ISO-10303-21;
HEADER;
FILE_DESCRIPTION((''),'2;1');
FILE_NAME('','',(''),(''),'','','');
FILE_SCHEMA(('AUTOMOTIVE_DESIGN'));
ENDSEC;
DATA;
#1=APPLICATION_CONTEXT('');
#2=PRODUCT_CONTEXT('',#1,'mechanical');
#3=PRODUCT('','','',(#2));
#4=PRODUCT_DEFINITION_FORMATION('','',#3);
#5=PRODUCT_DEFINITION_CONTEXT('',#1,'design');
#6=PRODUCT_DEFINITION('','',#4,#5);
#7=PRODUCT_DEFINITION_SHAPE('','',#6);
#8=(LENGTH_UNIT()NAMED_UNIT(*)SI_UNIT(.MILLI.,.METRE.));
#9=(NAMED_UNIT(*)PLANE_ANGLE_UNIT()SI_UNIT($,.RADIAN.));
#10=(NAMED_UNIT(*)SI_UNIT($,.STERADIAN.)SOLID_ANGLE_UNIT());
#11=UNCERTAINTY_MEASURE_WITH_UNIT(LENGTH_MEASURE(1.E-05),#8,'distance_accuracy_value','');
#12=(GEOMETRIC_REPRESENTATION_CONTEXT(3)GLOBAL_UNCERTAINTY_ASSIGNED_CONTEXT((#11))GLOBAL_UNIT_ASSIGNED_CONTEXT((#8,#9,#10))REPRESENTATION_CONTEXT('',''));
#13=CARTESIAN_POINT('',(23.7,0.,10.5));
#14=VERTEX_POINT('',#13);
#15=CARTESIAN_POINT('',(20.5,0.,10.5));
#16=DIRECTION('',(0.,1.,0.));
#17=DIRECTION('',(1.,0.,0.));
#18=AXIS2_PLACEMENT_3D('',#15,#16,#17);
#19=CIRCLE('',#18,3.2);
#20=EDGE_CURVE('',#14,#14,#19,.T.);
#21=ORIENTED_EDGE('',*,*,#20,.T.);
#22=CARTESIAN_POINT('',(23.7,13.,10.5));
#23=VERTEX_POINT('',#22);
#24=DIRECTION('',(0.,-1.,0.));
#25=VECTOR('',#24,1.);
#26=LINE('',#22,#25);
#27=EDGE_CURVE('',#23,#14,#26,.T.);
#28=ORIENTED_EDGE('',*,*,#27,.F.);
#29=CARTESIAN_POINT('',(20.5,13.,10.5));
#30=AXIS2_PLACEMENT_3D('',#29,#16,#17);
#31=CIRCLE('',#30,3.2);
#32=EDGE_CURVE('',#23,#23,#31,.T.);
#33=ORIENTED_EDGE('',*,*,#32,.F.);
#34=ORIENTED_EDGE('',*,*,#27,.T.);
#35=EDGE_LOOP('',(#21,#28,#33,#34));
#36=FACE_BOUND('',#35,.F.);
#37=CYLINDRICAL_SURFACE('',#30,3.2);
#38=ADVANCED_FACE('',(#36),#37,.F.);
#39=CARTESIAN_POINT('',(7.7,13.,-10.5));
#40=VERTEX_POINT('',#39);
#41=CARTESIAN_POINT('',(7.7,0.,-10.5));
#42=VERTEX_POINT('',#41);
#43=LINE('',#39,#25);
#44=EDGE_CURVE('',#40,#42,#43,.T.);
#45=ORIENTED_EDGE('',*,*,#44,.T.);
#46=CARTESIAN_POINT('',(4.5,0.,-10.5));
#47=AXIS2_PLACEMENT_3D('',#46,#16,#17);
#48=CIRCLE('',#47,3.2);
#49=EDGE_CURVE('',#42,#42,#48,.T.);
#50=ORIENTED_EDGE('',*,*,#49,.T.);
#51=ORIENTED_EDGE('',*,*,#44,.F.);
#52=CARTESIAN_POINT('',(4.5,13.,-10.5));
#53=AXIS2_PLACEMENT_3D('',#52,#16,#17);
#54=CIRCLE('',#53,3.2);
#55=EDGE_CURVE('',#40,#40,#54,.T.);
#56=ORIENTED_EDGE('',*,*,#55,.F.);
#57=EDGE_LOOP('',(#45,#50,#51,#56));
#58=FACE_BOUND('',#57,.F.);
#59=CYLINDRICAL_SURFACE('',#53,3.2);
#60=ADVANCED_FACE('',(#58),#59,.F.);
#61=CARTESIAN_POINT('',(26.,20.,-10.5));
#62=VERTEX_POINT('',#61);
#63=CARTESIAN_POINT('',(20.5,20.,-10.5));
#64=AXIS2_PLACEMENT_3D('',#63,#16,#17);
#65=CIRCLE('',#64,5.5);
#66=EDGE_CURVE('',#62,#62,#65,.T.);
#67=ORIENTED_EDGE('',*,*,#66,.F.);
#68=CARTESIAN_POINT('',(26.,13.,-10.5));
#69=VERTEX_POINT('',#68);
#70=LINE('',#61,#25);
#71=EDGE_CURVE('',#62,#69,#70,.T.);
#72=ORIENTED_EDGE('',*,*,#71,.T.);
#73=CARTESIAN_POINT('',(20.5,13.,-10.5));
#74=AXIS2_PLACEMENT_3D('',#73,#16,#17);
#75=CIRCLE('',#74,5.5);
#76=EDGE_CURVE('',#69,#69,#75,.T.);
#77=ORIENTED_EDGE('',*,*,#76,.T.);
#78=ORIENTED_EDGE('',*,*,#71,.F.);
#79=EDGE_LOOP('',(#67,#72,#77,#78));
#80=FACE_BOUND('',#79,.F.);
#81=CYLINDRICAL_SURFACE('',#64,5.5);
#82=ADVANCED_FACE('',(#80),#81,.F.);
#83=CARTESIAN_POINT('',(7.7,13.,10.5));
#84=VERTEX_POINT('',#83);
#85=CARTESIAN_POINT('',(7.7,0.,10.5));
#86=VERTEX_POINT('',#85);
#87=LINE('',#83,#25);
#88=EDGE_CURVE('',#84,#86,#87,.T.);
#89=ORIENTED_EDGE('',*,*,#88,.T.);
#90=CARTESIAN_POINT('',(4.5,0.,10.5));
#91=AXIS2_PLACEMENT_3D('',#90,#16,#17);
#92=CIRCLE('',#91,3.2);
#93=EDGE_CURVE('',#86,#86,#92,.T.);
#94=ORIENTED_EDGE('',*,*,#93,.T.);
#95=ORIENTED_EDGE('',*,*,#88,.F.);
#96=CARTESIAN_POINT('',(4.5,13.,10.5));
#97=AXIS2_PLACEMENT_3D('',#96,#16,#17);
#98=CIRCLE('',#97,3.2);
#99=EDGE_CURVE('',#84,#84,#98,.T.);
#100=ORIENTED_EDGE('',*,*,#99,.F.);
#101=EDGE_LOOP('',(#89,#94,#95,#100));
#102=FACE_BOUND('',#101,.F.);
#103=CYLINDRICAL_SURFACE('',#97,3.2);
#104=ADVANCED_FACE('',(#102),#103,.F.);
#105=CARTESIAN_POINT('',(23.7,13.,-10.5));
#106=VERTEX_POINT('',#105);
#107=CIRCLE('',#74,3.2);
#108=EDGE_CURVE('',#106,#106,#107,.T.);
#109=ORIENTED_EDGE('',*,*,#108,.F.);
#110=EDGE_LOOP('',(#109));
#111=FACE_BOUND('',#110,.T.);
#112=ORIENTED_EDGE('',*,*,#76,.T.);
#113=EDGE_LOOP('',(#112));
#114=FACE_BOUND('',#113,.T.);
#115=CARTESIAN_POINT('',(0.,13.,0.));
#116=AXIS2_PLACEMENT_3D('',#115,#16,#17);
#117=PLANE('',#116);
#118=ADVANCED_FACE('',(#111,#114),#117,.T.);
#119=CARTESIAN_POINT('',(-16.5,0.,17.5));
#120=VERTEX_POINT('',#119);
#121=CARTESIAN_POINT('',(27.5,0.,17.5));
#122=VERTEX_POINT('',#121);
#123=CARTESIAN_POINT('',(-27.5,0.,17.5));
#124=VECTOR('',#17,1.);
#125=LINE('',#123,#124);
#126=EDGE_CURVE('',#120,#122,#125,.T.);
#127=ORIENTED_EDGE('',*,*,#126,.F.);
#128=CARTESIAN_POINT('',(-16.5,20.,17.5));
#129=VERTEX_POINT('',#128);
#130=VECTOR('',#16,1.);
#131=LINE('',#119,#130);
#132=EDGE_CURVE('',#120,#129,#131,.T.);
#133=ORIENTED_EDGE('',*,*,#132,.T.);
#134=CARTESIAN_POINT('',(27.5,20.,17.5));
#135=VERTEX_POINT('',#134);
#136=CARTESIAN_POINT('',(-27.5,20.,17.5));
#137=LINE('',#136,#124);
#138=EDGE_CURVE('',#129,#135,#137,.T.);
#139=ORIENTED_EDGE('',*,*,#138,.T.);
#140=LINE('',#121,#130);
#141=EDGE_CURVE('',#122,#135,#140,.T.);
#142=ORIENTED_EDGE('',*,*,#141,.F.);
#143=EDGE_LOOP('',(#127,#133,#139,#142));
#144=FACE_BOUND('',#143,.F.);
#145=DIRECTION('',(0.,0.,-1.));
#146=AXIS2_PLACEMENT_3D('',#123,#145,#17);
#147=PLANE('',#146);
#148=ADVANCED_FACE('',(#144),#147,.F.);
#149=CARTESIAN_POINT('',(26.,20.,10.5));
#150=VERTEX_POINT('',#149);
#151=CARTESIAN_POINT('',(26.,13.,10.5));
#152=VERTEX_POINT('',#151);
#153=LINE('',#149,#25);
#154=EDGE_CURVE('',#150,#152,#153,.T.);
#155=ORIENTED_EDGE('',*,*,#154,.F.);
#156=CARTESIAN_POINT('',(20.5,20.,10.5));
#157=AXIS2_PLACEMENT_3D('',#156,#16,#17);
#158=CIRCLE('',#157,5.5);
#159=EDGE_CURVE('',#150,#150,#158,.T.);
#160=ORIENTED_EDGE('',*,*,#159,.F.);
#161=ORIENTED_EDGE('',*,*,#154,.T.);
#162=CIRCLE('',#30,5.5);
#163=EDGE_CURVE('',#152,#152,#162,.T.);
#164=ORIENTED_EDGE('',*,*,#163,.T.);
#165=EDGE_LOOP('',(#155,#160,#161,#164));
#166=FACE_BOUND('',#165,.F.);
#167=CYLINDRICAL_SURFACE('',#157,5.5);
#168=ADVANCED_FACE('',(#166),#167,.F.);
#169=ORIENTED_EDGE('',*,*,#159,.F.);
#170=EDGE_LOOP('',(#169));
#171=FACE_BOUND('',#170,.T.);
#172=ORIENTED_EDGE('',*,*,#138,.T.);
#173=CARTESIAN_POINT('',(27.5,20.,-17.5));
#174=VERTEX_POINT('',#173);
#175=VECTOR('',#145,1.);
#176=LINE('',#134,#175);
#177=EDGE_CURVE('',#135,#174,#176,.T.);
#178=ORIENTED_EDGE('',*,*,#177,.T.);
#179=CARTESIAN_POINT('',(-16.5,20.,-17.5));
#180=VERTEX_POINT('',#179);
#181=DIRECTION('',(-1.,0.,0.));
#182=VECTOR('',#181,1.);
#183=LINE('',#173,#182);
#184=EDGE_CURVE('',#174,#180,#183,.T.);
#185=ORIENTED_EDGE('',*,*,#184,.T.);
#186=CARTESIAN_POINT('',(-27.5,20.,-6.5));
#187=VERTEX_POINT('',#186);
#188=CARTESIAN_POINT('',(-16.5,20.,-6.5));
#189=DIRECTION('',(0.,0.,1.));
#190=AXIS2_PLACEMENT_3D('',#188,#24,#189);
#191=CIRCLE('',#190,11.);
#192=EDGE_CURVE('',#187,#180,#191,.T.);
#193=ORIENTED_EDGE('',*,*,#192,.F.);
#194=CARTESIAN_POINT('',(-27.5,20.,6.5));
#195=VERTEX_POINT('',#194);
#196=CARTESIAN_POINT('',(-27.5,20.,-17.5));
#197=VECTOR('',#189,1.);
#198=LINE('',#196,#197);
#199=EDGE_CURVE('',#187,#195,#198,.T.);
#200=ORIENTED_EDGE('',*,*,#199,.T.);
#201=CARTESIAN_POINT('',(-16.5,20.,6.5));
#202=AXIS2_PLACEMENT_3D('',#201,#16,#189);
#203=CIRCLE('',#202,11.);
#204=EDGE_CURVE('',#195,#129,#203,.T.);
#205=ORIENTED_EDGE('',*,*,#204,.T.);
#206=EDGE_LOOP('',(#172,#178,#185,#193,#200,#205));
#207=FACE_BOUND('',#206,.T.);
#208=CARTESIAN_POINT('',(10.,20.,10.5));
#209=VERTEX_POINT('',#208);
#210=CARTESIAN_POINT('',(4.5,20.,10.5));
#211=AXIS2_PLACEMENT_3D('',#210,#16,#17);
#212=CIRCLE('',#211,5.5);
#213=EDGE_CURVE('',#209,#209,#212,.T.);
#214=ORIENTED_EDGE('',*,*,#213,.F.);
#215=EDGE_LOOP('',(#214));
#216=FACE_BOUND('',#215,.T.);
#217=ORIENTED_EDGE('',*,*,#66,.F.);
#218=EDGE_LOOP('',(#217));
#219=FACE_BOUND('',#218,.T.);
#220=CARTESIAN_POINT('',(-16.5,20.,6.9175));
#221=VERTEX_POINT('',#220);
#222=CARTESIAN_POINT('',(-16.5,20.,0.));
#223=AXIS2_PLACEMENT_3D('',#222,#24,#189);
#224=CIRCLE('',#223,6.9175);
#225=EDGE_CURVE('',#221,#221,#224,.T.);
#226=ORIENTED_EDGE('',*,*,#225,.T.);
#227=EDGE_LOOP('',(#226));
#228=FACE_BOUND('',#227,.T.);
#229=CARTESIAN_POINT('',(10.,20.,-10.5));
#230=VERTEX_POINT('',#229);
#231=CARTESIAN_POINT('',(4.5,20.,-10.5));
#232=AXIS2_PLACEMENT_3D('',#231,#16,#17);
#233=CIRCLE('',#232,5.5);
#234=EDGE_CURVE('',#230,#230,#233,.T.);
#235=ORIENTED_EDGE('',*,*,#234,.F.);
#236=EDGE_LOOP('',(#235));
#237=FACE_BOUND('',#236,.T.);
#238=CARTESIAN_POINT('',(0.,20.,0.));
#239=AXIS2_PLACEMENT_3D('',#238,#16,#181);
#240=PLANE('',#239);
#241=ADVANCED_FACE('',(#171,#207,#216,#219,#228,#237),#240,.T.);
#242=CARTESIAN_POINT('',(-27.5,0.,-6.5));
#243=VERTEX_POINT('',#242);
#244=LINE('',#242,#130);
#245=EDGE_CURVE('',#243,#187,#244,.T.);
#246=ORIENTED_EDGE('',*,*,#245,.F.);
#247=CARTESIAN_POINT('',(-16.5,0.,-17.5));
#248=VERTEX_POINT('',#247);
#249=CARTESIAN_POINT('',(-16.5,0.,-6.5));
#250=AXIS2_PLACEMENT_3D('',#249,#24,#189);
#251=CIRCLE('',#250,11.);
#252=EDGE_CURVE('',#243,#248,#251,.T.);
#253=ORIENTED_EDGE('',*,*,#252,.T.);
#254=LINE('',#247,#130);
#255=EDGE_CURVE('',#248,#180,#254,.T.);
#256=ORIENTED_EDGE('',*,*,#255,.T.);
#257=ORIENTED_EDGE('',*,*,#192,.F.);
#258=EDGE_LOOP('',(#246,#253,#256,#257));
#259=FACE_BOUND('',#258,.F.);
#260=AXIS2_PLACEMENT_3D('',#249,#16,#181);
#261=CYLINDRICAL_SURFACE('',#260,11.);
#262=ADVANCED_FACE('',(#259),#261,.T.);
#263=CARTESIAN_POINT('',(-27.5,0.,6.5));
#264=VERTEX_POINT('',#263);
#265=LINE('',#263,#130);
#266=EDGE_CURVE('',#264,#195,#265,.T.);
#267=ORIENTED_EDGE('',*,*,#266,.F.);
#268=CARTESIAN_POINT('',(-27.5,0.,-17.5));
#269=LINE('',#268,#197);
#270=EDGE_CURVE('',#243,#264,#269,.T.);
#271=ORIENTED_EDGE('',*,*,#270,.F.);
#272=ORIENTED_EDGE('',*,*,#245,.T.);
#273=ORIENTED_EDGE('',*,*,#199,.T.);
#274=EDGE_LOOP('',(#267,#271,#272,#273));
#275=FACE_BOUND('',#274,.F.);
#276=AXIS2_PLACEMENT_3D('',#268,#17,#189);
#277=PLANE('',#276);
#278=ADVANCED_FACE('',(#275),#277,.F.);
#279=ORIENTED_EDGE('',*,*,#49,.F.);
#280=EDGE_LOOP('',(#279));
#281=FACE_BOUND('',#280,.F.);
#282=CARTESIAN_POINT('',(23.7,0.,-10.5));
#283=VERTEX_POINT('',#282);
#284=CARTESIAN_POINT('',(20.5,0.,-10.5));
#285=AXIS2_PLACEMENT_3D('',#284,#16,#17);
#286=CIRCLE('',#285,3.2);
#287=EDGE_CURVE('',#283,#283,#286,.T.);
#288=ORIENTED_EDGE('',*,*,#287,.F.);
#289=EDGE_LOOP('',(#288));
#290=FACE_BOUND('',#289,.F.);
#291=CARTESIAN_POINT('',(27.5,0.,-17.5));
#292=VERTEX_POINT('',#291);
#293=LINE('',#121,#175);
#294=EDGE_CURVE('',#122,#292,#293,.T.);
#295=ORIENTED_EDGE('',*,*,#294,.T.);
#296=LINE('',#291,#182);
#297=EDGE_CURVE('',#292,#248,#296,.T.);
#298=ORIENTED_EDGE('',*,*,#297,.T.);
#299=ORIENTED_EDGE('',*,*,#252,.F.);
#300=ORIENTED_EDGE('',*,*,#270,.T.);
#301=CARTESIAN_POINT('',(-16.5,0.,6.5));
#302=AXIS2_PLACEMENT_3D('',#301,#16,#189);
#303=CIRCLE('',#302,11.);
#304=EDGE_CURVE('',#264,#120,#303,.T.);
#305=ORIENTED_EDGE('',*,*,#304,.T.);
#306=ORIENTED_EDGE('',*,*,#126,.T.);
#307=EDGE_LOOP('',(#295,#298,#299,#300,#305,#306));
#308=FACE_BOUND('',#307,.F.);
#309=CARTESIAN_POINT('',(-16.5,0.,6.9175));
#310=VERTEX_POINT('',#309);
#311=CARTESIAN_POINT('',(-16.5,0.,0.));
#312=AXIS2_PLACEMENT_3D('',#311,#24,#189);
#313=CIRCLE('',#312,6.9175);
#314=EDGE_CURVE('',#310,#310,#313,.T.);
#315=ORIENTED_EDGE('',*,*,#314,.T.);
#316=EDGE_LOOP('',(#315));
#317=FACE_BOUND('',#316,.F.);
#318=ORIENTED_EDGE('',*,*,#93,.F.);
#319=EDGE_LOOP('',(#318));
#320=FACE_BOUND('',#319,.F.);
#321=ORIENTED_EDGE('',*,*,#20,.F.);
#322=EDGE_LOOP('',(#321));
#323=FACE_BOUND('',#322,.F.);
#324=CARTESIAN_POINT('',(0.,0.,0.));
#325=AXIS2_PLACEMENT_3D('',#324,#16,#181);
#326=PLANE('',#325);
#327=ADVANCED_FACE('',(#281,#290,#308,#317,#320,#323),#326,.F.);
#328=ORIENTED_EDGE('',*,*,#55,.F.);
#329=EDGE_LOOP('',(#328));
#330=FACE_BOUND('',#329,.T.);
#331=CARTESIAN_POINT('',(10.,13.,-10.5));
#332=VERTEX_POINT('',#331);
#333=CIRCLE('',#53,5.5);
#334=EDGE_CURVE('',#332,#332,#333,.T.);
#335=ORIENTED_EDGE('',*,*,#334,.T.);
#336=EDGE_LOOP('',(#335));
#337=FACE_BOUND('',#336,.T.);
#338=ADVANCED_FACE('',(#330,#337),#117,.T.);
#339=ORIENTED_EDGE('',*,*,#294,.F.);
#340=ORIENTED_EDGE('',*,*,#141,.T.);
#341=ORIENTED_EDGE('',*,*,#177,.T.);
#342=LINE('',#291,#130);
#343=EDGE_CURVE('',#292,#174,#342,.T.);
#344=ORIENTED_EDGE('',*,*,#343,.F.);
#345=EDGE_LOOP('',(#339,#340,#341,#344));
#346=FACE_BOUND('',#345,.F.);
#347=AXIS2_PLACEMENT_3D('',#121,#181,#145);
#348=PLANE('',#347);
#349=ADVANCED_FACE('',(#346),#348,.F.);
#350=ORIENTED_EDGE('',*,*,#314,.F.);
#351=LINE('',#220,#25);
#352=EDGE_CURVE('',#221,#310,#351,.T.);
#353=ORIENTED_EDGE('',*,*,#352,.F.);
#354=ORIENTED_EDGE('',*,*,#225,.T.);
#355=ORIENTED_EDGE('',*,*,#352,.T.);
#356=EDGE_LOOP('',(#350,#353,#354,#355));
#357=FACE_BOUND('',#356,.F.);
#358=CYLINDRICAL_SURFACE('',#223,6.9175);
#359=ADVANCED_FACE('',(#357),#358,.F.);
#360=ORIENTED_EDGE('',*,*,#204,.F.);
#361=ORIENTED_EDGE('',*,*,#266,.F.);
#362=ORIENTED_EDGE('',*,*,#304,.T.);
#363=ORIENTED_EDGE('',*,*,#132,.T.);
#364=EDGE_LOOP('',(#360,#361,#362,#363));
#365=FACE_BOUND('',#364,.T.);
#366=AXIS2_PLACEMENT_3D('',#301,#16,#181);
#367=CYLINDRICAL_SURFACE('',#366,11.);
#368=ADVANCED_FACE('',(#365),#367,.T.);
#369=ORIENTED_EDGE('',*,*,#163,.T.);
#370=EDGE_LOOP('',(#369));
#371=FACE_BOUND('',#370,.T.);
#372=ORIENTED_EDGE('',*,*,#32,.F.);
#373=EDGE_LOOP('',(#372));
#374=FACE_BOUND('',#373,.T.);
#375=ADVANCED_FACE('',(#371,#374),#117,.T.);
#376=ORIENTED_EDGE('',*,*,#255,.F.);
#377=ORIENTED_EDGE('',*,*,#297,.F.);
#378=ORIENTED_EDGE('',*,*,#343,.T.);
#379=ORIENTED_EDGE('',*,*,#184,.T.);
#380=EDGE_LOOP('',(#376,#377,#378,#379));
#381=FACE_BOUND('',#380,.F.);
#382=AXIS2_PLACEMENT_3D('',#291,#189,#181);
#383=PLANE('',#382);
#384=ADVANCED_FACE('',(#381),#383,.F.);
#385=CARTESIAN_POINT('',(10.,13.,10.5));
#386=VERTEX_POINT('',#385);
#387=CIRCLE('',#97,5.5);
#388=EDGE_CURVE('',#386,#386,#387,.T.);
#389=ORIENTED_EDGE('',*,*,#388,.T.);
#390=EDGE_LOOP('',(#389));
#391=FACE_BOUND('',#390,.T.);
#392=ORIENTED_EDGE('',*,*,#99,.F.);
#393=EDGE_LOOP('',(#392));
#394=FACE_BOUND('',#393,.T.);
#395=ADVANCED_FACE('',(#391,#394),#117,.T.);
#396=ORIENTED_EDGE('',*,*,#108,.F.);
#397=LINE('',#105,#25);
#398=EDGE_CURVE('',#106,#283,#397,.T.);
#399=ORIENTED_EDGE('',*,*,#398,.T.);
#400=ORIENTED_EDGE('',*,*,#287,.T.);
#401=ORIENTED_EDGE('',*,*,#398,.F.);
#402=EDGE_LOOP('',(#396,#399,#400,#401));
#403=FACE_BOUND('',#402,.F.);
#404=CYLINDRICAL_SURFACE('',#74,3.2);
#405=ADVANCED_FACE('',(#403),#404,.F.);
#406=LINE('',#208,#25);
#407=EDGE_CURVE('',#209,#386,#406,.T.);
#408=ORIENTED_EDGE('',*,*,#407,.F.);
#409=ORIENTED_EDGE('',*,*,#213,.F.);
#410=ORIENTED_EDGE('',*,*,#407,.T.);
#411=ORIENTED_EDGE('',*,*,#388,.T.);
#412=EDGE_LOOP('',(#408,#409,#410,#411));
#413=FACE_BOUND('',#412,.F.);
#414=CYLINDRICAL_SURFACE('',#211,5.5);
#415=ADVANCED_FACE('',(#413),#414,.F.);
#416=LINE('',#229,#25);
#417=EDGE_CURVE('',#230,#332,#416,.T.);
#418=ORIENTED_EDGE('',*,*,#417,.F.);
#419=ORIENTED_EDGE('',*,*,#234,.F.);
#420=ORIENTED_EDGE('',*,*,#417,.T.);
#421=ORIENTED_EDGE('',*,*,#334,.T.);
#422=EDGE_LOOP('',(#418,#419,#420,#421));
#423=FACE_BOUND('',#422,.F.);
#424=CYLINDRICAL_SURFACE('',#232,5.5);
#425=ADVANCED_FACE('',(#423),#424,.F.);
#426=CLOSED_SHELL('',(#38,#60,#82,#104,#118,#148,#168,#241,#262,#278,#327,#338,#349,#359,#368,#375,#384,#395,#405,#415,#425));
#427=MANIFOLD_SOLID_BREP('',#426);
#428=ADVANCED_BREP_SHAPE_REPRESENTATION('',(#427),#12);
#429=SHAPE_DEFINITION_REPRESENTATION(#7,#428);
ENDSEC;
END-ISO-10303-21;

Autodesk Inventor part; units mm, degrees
ref_plane "YZ Plane" through (0, 0, 0) normal (1, 0, 0) x (0, 1, 0)
ref_plane "XZ Plane" through (0, 0, 0) normal (0, 1, 0) x (-1, 0, 0)
ref_plane "XY Plane" through (0, 0, 0) normal (0, 0, 1) x (1, 0, 0)
sketch "Sketch1" plane through (0, 0, 0) normal (0, 1, 0) x (-1, 0, 0)
  line L0 (27.5, 17.5) -> (-27.5, 17.5)
  line L1 (-27.5, 17.5) -> (-27.5, -17.5)
  line L2 (-27.5, -17.5) -> (27.5, -17.5)
  line L3 (27.5, -17.5) -> (27.5, 17.5)
  line L4 (27.5, 17.5) -> (-27.5, -17.5) construction
  line L5 (-27.5, 17.5) -> (27.5, -17.5) construction
  point P0 (0, 0)
  dimension "d0" = 55
  dimension "d1" = 35
extrude "Extrusion1" add sketch "Sketch1" along normal blind 20
sketch "Sketch2" plane through (0, 20, 0) normal (0, 1, 0) x (1, 0, 0)
  circle A0 centre (20.5, 10.5) radius 5.5
  circle A1 centre (20.5, -10.5) radius 5.5
  circle A2 centre (4.5, -10.5) radius 5.5
  circle A3 centre (4.5, 10.5) radius 5.5
  line L0 (27.5, -17.5) -> (27.5, 17.5) projected
  point P0 (0, 0)
  dimension "d4" = 11
  dimension "d5" = 11
  dimension "d6" = 11
  dimension "d7" = 11
  dimension "d8" = 21
  dimension "d9" = 21
  dimension "d10" = 10.5
  dimension "d11" = 10.5
  dimension "d12" = 23
  dimension "d13" = 23
  dimension "d14" = 7
  dimension "d15" = 7
extrude "Extrusion2" cut sketch "Sketch2" against normal blind 7
sketch "Sketch3" plane through (4.5, 13, 10.5) normal (0, 1, 0) x (1, 0, 0)
  circle A0 centre (0, 0) radius 3.2
  circle A1 centre (0, 21) radius 5.5 projected
  circle A2 centre (16, 21) radius 5.5 projected
  circle A3 centre (16, 0) radius 5.5 projected
  circle A4 centre (0, 21) radius 3.2
  circle A5 centre (16, 21) radius 3.2
  circle A6 centre (16, 0) radius 3.2
  point P0 (-4.5, 10.5)
  dimension "d18" = 6.4
  dimension "d19" = 6.4
  dimension "d20" = 6.4
  dimension "d21" = 6.4
extrude "Extrusion3" cut sketch "Sketch3" against normal blind 20 contours A0 | A4 | A5 | A6
sketch "Sketch4" plane through (0, 20, 0) normal (0, 1, 0) x (1, 0, 0)
  line L0 (27.5, -17.5) -> (27.5, 17.5) projected
  point P0 (0, 0)
  point P1 (-16.5, 0)
  dimension "d27" = 44
fillet "Fillet1" radius 11 2 edges at (-27.5, 10, 17.5) (-27.5, 10, -17.5)
hole "Hole1" at (-16.5, 20, 0) direction (0, -1, 0) diameter 13.835 depth 41.3 tip angle 118 thread size "M16x2" class "6H" standard "ISO Metric profile"
properties part number "Spindlesocket"
